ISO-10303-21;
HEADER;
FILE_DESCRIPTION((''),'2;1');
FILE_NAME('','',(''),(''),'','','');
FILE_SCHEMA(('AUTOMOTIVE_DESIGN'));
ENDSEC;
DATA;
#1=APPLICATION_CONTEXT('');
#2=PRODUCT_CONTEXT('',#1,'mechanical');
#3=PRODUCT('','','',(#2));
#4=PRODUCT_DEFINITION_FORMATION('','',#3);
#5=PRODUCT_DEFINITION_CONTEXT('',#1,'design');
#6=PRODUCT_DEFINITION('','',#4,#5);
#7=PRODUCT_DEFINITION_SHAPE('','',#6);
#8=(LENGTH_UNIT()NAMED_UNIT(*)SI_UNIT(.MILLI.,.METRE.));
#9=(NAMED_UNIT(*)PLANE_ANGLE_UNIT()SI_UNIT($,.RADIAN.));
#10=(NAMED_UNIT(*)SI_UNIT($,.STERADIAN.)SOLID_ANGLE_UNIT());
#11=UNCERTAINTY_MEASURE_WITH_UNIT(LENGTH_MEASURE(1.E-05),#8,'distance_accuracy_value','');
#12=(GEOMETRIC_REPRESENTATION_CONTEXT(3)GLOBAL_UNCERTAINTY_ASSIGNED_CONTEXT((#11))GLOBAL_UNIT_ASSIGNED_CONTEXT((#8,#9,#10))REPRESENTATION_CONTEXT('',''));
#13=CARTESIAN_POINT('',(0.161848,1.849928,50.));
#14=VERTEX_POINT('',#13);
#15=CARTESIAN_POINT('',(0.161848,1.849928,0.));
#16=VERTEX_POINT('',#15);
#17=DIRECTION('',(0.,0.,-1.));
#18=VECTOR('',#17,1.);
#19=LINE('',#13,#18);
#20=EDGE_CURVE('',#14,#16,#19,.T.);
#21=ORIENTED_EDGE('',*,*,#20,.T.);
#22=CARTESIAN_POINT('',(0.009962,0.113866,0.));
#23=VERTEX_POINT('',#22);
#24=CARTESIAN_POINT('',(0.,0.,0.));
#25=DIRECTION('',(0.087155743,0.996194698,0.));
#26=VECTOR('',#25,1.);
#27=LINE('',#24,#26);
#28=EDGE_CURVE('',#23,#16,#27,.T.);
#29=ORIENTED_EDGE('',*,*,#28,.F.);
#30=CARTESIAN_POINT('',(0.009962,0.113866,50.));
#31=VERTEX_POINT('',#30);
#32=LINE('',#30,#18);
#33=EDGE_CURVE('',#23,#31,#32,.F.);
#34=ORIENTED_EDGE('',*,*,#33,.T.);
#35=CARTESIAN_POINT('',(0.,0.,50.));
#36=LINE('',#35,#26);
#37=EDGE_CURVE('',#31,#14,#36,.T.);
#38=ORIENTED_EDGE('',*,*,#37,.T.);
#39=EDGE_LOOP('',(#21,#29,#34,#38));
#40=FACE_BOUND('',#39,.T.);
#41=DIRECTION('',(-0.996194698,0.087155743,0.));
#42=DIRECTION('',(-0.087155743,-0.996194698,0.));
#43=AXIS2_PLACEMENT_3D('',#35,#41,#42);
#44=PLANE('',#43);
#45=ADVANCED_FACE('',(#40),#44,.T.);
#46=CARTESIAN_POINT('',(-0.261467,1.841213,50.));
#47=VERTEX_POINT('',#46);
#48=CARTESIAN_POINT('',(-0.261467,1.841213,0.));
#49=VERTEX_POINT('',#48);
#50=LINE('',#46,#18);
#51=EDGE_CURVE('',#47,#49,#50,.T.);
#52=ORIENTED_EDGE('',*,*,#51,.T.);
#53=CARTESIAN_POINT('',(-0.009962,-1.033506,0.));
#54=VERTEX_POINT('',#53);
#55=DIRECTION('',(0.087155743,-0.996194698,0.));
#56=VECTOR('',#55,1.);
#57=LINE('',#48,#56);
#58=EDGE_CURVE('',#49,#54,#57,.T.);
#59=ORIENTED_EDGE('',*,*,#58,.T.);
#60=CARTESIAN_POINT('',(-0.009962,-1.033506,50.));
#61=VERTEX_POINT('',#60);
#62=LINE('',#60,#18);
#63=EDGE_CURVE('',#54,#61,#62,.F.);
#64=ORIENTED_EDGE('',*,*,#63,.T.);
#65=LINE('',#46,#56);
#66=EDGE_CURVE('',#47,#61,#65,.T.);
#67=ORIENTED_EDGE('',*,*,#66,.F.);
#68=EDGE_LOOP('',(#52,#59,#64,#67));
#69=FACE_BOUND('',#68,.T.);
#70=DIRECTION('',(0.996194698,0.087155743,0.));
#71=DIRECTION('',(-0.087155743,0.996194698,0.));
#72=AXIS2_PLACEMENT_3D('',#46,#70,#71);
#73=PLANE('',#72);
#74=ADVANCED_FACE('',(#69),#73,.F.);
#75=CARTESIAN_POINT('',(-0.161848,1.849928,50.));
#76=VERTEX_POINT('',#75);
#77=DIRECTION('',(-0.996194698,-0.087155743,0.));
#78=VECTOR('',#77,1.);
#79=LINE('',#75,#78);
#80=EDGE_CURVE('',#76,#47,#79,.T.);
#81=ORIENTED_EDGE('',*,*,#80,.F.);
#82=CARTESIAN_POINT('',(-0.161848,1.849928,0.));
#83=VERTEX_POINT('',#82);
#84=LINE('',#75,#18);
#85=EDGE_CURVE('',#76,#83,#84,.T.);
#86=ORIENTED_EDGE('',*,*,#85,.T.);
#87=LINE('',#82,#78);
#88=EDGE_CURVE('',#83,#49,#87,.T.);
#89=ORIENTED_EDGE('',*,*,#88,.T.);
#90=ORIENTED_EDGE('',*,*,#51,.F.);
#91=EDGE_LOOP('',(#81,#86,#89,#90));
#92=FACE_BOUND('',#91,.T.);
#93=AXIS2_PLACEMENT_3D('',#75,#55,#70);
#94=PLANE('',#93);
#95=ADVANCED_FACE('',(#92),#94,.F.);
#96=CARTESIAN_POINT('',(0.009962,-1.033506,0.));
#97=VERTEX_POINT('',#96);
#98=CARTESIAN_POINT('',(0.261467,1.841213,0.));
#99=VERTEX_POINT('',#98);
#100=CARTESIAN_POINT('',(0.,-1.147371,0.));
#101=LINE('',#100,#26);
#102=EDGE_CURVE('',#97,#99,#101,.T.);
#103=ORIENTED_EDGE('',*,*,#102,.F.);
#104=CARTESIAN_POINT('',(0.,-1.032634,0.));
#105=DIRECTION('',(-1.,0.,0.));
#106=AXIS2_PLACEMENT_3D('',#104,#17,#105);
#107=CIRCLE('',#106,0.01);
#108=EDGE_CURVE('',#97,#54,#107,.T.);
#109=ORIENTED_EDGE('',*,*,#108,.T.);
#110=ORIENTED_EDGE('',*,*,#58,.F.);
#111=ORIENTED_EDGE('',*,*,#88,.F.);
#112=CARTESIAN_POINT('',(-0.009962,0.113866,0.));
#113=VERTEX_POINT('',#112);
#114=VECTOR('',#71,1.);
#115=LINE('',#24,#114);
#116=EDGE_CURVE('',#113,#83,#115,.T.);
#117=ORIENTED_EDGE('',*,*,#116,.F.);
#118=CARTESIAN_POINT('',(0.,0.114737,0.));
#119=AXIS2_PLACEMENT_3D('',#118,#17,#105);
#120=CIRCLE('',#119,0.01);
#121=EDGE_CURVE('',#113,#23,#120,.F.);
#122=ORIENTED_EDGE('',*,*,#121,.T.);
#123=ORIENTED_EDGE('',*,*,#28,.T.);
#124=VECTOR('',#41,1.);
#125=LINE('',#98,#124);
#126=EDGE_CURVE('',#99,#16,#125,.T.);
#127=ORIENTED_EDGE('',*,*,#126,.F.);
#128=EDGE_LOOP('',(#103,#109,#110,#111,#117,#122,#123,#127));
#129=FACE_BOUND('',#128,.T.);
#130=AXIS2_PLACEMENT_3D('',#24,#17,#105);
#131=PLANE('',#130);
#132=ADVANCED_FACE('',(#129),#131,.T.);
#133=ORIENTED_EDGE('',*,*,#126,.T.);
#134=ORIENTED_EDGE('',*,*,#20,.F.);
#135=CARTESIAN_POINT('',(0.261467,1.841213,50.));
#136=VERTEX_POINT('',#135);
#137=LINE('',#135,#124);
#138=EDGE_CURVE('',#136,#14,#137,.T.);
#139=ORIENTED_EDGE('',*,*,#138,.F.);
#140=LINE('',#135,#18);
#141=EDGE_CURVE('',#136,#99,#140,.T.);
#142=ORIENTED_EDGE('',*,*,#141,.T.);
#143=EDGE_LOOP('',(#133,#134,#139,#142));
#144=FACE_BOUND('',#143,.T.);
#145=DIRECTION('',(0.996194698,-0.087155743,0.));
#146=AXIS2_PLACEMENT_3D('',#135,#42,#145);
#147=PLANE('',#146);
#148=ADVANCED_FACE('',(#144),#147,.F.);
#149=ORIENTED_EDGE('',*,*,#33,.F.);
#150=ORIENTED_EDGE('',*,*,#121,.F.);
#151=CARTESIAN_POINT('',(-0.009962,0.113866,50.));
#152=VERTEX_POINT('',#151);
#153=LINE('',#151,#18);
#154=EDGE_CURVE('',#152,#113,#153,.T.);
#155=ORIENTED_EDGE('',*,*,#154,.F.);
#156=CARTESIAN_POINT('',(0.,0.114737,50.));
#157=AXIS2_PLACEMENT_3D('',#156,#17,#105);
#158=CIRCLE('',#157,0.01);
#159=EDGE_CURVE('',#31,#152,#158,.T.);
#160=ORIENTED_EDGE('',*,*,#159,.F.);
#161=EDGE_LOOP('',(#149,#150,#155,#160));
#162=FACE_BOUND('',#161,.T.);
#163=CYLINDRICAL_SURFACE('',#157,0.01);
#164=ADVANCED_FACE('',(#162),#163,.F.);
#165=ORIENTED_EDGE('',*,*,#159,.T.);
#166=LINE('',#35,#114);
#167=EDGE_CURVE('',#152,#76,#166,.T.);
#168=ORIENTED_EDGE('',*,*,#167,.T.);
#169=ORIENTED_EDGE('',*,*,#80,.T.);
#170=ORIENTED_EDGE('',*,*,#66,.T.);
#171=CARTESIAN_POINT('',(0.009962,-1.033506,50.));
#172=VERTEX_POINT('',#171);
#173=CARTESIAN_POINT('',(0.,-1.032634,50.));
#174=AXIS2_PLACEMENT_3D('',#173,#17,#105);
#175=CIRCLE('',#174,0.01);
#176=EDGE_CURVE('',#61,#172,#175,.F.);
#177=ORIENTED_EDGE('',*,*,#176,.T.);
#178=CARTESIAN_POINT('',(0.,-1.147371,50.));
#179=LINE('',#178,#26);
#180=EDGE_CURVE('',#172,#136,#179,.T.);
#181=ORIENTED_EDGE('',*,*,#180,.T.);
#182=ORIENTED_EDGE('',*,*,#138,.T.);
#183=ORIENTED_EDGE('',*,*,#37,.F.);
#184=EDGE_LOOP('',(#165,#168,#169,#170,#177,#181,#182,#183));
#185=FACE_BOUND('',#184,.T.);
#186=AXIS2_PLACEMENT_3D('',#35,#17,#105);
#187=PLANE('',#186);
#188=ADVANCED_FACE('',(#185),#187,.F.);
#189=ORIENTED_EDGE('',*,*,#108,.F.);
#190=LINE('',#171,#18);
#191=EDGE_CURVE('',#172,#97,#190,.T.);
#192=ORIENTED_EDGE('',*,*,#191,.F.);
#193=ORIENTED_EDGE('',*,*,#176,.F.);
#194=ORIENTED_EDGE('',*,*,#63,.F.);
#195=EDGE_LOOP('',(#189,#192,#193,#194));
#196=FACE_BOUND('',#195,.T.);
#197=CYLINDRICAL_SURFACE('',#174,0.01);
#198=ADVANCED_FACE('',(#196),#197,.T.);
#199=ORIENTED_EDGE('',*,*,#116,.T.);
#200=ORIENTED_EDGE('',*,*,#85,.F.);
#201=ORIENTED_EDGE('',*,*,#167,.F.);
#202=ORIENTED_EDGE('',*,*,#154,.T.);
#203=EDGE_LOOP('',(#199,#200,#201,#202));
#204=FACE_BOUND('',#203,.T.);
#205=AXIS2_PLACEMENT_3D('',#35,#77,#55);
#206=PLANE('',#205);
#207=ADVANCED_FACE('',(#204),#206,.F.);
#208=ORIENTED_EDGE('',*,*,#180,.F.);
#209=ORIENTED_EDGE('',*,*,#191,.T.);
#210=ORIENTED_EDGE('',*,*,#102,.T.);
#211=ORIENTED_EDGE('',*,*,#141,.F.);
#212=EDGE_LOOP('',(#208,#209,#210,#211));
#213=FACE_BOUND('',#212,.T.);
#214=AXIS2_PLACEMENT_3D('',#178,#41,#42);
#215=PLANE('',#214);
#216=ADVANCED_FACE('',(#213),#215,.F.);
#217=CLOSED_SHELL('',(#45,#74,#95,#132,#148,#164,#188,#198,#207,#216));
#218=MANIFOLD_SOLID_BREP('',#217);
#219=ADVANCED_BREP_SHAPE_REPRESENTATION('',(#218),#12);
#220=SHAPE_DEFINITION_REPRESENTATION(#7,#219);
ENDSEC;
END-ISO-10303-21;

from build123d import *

# Parameters (mm, degrees)
BOSS_EXTRUDE1_DEPTH = 50
FILLET1_R           = 0.01


with BuildPart() as part:
    # Sketch1 → Boss-Extrude1 (new body)
    with BuildSketch(Plane.XY):
        Polygon((0, 0), (0.161847758, 1.849928344), (0.261467228, 1.84121277), (0, -1.147371325), (-0.261467228, 1.84121277), (-0.161847758, 1.849928344), align=None)
    extrude(amount=BOSS_EXTRUDE1_DEPTH)

    # Fillet1
    fillet1_edges = [part.edges().sort_by_distance(p)[0] for p in [
        (0, 0, 25),
        (0, -1.147371325, 25),
    ]]
    fillet(fillet1_edges, radius=FILLET1_R)


solid = part.part
